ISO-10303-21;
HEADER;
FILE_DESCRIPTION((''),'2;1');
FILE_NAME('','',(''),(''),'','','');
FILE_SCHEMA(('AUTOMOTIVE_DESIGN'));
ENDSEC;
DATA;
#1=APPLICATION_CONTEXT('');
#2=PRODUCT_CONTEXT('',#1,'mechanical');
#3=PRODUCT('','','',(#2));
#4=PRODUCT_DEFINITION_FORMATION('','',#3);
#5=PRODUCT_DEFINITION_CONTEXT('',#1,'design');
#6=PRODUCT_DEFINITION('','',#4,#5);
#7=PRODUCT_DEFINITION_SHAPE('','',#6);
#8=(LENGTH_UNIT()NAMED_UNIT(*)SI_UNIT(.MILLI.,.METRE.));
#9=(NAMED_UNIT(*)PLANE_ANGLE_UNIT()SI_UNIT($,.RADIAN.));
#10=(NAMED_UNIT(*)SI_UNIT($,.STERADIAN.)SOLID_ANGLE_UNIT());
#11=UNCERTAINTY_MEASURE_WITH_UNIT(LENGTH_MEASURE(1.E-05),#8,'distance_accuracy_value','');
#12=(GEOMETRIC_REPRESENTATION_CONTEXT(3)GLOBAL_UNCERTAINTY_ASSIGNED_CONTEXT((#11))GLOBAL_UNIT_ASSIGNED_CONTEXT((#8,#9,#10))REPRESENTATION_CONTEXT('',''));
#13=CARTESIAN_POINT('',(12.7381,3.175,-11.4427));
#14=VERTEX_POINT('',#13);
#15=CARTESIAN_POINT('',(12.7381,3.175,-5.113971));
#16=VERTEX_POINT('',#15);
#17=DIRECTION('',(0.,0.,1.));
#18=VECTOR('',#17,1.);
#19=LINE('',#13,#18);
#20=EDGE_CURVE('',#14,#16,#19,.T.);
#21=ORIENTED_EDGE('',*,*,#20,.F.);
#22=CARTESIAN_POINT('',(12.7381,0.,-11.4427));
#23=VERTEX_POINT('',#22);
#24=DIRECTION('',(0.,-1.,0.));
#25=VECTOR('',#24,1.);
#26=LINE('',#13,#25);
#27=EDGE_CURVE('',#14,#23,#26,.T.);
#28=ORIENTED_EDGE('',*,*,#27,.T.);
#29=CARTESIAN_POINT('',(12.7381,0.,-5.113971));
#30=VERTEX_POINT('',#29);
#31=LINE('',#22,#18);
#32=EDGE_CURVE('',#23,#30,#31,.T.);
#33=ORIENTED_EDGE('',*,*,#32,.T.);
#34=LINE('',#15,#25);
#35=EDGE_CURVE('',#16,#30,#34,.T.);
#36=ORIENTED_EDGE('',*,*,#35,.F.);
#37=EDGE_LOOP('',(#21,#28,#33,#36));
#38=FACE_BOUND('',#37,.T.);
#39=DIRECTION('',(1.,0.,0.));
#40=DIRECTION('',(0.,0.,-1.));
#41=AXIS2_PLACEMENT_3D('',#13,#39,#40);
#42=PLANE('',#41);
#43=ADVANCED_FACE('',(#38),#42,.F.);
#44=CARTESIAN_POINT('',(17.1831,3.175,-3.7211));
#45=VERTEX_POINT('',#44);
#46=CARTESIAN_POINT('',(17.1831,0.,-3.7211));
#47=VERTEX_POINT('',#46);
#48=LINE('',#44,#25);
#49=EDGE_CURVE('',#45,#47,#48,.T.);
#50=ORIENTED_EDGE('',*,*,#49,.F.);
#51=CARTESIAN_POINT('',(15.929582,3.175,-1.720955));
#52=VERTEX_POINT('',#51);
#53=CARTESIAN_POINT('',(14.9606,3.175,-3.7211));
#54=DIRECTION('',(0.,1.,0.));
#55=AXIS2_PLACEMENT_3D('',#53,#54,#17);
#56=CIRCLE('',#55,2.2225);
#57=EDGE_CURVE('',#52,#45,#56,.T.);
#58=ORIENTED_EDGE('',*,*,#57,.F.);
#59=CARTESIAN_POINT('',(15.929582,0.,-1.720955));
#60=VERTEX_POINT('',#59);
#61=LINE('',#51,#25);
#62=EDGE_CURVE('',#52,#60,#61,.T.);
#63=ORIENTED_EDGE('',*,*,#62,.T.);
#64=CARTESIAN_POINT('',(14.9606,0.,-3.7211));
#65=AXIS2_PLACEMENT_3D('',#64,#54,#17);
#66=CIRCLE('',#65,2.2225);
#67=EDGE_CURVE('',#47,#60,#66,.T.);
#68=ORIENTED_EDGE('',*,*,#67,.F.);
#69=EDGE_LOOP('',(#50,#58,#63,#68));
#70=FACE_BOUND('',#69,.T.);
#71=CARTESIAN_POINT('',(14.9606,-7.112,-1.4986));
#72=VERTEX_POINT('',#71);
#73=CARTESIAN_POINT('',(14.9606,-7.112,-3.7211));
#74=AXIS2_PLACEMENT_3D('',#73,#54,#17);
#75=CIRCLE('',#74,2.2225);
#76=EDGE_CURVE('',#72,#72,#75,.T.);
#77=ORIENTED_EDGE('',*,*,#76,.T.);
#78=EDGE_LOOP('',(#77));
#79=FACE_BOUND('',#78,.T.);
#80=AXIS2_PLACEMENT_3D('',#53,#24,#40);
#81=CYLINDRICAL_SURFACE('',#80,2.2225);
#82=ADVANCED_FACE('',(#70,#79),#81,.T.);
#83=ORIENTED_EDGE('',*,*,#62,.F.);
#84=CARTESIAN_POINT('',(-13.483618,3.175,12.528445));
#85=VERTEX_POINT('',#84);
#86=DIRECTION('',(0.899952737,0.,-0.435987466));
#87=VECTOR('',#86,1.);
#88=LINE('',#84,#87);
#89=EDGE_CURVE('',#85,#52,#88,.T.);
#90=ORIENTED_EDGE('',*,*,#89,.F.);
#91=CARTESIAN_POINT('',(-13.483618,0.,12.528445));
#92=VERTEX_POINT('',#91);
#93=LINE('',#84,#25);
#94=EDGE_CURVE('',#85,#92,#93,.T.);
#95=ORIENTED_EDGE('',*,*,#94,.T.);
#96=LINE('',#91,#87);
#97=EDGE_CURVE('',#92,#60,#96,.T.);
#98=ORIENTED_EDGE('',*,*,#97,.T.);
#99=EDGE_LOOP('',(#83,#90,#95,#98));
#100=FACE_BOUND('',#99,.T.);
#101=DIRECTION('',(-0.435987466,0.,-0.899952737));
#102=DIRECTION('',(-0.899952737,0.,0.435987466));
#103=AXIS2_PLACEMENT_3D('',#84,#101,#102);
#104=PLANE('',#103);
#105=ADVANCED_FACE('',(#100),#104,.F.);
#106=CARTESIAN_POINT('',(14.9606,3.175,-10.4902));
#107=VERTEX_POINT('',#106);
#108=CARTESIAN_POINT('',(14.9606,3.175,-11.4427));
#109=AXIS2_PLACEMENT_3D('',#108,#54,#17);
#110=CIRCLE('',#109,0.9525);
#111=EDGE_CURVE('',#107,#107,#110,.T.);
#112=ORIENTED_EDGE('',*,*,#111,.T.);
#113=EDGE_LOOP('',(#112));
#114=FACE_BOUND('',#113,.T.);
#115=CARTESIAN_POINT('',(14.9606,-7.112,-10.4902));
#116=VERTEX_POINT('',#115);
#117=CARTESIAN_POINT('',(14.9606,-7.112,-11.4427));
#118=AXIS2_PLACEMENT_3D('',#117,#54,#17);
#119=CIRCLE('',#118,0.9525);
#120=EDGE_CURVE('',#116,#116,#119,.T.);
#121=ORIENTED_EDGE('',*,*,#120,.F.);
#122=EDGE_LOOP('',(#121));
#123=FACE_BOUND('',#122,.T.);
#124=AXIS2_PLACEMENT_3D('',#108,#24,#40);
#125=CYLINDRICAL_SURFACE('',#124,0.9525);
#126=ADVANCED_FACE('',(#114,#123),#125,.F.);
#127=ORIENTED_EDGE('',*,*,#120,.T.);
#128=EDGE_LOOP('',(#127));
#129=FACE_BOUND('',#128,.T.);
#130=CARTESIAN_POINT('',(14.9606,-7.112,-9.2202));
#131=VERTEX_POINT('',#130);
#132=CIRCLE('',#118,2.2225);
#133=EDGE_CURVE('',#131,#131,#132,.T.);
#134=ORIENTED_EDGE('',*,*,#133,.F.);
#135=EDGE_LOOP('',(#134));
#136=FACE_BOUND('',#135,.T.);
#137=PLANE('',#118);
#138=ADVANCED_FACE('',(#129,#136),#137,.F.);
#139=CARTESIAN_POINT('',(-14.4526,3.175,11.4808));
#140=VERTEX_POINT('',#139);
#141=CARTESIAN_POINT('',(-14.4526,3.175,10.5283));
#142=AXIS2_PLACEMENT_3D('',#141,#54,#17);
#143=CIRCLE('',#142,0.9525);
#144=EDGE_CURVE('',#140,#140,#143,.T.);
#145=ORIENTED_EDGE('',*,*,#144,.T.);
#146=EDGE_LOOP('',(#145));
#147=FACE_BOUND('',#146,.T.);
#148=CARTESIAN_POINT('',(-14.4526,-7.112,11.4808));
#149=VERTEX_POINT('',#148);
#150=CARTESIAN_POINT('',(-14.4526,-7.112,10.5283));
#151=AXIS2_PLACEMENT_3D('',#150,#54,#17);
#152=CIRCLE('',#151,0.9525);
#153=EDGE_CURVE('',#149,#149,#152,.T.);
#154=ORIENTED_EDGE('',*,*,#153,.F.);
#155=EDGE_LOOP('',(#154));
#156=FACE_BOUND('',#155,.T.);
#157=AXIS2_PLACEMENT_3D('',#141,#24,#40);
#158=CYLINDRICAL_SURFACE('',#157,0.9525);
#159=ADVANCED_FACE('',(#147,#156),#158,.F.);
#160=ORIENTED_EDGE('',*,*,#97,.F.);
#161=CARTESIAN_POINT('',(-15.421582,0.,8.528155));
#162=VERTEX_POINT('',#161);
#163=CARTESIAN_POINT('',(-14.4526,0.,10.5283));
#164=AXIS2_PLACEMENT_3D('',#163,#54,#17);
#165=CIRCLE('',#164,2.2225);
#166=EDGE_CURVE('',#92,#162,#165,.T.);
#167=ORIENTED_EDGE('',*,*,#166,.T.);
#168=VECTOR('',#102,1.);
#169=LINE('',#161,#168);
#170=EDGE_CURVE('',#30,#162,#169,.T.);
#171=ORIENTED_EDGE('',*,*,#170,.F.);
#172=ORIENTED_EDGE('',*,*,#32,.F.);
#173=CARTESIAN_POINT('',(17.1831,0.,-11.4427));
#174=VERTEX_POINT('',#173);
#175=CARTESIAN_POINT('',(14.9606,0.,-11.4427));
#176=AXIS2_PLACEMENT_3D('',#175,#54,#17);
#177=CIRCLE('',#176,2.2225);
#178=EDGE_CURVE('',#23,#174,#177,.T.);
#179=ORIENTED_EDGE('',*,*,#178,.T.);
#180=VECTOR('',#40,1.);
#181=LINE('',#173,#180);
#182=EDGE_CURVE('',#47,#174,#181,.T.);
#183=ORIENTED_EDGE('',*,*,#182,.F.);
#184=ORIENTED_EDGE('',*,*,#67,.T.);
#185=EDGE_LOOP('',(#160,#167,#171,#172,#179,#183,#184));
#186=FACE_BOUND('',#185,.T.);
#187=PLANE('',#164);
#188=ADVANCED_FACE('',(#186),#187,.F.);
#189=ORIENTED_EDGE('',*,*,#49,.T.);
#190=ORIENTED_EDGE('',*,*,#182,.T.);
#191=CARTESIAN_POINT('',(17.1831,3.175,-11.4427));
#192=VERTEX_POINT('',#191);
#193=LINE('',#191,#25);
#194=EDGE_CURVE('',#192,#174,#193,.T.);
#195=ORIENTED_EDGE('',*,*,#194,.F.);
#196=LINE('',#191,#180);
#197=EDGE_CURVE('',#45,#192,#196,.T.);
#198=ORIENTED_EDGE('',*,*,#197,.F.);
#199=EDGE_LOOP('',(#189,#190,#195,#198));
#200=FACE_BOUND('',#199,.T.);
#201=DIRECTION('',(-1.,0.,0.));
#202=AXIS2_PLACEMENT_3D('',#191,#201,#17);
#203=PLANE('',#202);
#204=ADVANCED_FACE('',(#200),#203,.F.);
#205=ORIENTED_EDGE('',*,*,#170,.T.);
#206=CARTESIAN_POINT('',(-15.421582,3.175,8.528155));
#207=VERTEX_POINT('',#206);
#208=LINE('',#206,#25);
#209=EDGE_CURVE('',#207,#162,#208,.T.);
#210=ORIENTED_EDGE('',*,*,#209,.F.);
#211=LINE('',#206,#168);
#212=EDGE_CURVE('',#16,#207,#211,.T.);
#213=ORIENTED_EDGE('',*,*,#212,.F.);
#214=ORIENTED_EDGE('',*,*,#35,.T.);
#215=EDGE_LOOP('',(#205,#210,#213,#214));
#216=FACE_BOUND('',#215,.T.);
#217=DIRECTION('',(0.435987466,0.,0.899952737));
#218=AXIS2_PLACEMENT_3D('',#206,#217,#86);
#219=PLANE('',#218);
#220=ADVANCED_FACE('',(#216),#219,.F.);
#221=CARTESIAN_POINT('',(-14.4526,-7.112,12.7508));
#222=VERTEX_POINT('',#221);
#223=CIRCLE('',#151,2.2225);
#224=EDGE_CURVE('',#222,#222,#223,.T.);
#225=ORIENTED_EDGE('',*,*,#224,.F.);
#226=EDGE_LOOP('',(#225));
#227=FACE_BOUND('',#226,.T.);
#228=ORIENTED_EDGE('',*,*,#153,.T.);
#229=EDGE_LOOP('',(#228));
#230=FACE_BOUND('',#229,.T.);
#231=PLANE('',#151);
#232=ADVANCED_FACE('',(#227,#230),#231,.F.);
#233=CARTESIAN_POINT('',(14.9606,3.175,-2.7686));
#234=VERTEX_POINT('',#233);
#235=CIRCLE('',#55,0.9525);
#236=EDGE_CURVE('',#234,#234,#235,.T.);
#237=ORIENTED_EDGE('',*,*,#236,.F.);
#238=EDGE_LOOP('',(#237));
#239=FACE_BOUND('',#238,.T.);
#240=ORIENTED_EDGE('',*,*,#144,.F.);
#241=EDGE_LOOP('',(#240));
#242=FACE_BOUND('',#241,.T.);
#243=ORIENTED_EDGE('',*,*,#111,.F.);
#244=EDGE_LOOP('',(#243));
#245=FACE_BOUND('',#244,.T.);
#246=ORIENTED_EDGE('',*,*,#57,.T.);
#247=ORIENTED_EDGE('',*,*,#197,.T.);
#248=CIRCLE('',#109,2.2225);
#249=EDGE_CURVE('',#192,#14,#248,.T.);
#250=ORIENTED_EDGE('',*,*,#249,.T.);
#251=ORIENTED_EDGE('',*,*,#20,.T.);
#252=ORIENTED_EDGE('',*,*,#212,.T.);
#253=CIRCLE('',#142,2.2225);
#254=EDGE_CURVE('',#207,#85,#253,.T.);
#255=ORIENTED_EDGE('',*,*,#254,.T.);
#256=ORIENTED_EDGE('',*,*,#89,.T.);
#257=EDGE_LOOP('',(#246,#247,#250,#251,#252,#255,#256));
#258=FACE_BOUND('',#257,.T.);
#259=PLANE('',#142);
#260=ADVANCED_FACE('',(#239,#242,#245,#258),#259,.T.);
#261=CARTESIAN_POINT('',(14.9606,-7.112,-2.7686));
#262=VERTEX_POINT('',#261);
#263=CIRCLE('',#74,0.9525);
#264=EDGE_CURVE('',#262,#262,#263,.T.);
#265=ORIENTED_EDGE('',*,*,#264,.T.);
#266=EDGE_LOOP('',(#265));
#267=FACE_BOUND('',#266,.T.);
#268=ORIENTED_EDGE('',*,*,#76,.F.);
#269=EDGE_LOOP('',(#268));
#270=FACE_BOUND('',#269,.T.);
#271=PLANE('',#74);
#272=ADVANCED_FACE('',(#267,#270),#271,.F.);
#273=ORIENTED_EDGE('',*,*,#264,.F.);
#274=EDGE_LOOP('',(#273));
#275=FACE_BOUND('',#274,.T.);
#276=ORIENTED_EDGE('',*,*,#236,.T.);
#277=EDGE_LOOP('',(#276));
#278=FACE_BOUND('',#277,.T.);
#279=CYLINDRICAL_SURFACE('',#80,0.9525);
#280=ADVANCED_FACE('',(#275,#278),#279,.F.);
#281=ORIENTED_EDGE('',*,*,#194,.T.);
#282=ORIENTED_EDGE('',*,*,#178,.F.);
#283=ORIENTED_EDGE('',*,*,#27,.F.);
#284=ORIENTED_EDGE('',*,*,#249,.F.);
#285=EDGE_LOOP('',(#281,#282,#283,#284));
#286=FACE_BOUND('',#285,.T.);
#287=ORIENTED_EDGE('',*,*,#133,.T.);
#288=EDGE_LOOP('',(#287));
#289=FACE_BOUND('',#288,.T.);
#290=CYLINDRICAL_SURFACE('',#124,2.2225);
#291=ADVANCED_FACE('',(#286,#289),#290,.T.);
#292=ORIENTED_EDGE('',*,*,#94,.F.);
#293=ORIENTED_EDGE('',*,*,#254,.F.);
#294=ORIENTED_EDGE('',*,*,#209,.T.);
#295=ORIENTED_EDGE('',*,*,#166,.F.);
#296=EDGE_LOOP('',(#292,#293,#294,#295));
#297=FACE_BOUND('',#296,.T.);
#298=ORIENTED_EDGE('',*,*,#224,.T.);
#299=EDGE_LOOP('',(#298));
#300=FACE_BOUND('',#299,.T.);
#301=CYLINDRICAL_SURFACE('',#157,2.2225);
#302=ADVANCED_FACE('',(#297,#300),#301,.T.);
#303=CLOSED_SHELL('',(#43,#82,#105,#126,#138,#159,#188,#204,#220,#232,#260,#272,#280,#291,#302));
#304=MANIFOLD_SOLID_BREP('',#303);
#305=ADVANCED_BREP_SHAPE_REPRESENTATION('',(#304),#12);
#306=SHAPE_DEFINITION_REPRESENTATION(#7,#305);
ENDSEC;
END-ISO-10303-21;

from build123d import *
from build123d.topology import SkipClean

# Parameters (mm, degrees)
SKETCH1_R           = 0.9525
BOSS_EXTRUDE1_DEPTH = 3.175
BOSS_EXTRUDE2_START = -3.175
SKETCH2_R           = 2.2225
SKETCH2_R_2         = 0.9525
BOSS_EXTRUDE2_DEPTH = 10.287


with BuildPart() as part:
    # Sketch1 → Boss-Extrude1 (new body)
    with BuildSketch(Plane(origin=(0, 0, 0), x_dir=(1, 0, 0), z_dir=(0, 1, 0))):
        with BuildLine():
            Line((17.1831, 11.4427), (17.1831, 3.7211))
            ThreePointArc((17.1831, 3.7211), (16.843824504, 2.540857771), (15.929582143, 1.720955041))
            Line((15.929582143, 1.720955041), (-13.483617857, -12.528444959))
            ThreePointArc((-13.483617857, -12.528444959), (-16.452744959, -11.497282143), (-15.421582143, -8.528155041))
            Line((-15.421582143, -8.528155041), (12.7381, 5.113970764))
            Line((12.7381, 5.113970764), (12.7381, 11.4427))
            ThreePointArc((12.7381, 11.4427), (14.9606, 13.6652), (17.1831, 11.4427))
        make_face()
        with Locations(Location((-14.4526, -10.5283, 0), (0, 0, 270))):
            Circle(SKETCH1_R, mode=Mode.SUBTRACT)
        with Locations(Location((14.9606, 11.4427, 0), (0, 0, 270))):
            Circle(SKETCH1_R, mode=Mode.SUBTRACT)
        with Locations(Location((14.9606, 3.7211, 0), (0, 0, 270))):
            Circle(SKETCH1_R, mode=Mode.SUBTRACT)
    extrude(amount=BOSS_EXTRUDE1_DEPTH)

    # Sketch2 → Boss-Extrude2 (add)
    with SkipClean():  # the faces are left unmerged after this step: merging them gives an invalid solid
        with BuildSketch(Plane.XZ.offset(BOSS_EXTRUDE2_START)):
            with Locations((14.9606, -11.4427)):
                Circle(SKETCH2_R)
            with Locations(Location((14.9606, -11.4427, 0), (0, 0, 90))):
                Circle(SKETCH2_R_2, mode=Mode.SUBTRACT)
            with Locations((14.9606, -3.7211)):
                Circle(SKETCH2_R)
            with Locations(Location((14.9606, -3.7211, 0), (0, 0, 90))):
                Circle(SKETCH2_R_2, mode=Mode.SUBTRACT)
            with Locations(Location((-14.4526, 10.5283, 0), (0, 0, 244.151855468))):
                Circle(SKETCH2_R)
            with Locations(Location((-14.4526, 10.5283, 0), (0, 0, 90))):
                Circle(SKETCH2_R_2, mode=Mode.SUBTRACT)
        extrude(amount=BOSS_EXTRUDE2_DEPTH)


solid = part.part
